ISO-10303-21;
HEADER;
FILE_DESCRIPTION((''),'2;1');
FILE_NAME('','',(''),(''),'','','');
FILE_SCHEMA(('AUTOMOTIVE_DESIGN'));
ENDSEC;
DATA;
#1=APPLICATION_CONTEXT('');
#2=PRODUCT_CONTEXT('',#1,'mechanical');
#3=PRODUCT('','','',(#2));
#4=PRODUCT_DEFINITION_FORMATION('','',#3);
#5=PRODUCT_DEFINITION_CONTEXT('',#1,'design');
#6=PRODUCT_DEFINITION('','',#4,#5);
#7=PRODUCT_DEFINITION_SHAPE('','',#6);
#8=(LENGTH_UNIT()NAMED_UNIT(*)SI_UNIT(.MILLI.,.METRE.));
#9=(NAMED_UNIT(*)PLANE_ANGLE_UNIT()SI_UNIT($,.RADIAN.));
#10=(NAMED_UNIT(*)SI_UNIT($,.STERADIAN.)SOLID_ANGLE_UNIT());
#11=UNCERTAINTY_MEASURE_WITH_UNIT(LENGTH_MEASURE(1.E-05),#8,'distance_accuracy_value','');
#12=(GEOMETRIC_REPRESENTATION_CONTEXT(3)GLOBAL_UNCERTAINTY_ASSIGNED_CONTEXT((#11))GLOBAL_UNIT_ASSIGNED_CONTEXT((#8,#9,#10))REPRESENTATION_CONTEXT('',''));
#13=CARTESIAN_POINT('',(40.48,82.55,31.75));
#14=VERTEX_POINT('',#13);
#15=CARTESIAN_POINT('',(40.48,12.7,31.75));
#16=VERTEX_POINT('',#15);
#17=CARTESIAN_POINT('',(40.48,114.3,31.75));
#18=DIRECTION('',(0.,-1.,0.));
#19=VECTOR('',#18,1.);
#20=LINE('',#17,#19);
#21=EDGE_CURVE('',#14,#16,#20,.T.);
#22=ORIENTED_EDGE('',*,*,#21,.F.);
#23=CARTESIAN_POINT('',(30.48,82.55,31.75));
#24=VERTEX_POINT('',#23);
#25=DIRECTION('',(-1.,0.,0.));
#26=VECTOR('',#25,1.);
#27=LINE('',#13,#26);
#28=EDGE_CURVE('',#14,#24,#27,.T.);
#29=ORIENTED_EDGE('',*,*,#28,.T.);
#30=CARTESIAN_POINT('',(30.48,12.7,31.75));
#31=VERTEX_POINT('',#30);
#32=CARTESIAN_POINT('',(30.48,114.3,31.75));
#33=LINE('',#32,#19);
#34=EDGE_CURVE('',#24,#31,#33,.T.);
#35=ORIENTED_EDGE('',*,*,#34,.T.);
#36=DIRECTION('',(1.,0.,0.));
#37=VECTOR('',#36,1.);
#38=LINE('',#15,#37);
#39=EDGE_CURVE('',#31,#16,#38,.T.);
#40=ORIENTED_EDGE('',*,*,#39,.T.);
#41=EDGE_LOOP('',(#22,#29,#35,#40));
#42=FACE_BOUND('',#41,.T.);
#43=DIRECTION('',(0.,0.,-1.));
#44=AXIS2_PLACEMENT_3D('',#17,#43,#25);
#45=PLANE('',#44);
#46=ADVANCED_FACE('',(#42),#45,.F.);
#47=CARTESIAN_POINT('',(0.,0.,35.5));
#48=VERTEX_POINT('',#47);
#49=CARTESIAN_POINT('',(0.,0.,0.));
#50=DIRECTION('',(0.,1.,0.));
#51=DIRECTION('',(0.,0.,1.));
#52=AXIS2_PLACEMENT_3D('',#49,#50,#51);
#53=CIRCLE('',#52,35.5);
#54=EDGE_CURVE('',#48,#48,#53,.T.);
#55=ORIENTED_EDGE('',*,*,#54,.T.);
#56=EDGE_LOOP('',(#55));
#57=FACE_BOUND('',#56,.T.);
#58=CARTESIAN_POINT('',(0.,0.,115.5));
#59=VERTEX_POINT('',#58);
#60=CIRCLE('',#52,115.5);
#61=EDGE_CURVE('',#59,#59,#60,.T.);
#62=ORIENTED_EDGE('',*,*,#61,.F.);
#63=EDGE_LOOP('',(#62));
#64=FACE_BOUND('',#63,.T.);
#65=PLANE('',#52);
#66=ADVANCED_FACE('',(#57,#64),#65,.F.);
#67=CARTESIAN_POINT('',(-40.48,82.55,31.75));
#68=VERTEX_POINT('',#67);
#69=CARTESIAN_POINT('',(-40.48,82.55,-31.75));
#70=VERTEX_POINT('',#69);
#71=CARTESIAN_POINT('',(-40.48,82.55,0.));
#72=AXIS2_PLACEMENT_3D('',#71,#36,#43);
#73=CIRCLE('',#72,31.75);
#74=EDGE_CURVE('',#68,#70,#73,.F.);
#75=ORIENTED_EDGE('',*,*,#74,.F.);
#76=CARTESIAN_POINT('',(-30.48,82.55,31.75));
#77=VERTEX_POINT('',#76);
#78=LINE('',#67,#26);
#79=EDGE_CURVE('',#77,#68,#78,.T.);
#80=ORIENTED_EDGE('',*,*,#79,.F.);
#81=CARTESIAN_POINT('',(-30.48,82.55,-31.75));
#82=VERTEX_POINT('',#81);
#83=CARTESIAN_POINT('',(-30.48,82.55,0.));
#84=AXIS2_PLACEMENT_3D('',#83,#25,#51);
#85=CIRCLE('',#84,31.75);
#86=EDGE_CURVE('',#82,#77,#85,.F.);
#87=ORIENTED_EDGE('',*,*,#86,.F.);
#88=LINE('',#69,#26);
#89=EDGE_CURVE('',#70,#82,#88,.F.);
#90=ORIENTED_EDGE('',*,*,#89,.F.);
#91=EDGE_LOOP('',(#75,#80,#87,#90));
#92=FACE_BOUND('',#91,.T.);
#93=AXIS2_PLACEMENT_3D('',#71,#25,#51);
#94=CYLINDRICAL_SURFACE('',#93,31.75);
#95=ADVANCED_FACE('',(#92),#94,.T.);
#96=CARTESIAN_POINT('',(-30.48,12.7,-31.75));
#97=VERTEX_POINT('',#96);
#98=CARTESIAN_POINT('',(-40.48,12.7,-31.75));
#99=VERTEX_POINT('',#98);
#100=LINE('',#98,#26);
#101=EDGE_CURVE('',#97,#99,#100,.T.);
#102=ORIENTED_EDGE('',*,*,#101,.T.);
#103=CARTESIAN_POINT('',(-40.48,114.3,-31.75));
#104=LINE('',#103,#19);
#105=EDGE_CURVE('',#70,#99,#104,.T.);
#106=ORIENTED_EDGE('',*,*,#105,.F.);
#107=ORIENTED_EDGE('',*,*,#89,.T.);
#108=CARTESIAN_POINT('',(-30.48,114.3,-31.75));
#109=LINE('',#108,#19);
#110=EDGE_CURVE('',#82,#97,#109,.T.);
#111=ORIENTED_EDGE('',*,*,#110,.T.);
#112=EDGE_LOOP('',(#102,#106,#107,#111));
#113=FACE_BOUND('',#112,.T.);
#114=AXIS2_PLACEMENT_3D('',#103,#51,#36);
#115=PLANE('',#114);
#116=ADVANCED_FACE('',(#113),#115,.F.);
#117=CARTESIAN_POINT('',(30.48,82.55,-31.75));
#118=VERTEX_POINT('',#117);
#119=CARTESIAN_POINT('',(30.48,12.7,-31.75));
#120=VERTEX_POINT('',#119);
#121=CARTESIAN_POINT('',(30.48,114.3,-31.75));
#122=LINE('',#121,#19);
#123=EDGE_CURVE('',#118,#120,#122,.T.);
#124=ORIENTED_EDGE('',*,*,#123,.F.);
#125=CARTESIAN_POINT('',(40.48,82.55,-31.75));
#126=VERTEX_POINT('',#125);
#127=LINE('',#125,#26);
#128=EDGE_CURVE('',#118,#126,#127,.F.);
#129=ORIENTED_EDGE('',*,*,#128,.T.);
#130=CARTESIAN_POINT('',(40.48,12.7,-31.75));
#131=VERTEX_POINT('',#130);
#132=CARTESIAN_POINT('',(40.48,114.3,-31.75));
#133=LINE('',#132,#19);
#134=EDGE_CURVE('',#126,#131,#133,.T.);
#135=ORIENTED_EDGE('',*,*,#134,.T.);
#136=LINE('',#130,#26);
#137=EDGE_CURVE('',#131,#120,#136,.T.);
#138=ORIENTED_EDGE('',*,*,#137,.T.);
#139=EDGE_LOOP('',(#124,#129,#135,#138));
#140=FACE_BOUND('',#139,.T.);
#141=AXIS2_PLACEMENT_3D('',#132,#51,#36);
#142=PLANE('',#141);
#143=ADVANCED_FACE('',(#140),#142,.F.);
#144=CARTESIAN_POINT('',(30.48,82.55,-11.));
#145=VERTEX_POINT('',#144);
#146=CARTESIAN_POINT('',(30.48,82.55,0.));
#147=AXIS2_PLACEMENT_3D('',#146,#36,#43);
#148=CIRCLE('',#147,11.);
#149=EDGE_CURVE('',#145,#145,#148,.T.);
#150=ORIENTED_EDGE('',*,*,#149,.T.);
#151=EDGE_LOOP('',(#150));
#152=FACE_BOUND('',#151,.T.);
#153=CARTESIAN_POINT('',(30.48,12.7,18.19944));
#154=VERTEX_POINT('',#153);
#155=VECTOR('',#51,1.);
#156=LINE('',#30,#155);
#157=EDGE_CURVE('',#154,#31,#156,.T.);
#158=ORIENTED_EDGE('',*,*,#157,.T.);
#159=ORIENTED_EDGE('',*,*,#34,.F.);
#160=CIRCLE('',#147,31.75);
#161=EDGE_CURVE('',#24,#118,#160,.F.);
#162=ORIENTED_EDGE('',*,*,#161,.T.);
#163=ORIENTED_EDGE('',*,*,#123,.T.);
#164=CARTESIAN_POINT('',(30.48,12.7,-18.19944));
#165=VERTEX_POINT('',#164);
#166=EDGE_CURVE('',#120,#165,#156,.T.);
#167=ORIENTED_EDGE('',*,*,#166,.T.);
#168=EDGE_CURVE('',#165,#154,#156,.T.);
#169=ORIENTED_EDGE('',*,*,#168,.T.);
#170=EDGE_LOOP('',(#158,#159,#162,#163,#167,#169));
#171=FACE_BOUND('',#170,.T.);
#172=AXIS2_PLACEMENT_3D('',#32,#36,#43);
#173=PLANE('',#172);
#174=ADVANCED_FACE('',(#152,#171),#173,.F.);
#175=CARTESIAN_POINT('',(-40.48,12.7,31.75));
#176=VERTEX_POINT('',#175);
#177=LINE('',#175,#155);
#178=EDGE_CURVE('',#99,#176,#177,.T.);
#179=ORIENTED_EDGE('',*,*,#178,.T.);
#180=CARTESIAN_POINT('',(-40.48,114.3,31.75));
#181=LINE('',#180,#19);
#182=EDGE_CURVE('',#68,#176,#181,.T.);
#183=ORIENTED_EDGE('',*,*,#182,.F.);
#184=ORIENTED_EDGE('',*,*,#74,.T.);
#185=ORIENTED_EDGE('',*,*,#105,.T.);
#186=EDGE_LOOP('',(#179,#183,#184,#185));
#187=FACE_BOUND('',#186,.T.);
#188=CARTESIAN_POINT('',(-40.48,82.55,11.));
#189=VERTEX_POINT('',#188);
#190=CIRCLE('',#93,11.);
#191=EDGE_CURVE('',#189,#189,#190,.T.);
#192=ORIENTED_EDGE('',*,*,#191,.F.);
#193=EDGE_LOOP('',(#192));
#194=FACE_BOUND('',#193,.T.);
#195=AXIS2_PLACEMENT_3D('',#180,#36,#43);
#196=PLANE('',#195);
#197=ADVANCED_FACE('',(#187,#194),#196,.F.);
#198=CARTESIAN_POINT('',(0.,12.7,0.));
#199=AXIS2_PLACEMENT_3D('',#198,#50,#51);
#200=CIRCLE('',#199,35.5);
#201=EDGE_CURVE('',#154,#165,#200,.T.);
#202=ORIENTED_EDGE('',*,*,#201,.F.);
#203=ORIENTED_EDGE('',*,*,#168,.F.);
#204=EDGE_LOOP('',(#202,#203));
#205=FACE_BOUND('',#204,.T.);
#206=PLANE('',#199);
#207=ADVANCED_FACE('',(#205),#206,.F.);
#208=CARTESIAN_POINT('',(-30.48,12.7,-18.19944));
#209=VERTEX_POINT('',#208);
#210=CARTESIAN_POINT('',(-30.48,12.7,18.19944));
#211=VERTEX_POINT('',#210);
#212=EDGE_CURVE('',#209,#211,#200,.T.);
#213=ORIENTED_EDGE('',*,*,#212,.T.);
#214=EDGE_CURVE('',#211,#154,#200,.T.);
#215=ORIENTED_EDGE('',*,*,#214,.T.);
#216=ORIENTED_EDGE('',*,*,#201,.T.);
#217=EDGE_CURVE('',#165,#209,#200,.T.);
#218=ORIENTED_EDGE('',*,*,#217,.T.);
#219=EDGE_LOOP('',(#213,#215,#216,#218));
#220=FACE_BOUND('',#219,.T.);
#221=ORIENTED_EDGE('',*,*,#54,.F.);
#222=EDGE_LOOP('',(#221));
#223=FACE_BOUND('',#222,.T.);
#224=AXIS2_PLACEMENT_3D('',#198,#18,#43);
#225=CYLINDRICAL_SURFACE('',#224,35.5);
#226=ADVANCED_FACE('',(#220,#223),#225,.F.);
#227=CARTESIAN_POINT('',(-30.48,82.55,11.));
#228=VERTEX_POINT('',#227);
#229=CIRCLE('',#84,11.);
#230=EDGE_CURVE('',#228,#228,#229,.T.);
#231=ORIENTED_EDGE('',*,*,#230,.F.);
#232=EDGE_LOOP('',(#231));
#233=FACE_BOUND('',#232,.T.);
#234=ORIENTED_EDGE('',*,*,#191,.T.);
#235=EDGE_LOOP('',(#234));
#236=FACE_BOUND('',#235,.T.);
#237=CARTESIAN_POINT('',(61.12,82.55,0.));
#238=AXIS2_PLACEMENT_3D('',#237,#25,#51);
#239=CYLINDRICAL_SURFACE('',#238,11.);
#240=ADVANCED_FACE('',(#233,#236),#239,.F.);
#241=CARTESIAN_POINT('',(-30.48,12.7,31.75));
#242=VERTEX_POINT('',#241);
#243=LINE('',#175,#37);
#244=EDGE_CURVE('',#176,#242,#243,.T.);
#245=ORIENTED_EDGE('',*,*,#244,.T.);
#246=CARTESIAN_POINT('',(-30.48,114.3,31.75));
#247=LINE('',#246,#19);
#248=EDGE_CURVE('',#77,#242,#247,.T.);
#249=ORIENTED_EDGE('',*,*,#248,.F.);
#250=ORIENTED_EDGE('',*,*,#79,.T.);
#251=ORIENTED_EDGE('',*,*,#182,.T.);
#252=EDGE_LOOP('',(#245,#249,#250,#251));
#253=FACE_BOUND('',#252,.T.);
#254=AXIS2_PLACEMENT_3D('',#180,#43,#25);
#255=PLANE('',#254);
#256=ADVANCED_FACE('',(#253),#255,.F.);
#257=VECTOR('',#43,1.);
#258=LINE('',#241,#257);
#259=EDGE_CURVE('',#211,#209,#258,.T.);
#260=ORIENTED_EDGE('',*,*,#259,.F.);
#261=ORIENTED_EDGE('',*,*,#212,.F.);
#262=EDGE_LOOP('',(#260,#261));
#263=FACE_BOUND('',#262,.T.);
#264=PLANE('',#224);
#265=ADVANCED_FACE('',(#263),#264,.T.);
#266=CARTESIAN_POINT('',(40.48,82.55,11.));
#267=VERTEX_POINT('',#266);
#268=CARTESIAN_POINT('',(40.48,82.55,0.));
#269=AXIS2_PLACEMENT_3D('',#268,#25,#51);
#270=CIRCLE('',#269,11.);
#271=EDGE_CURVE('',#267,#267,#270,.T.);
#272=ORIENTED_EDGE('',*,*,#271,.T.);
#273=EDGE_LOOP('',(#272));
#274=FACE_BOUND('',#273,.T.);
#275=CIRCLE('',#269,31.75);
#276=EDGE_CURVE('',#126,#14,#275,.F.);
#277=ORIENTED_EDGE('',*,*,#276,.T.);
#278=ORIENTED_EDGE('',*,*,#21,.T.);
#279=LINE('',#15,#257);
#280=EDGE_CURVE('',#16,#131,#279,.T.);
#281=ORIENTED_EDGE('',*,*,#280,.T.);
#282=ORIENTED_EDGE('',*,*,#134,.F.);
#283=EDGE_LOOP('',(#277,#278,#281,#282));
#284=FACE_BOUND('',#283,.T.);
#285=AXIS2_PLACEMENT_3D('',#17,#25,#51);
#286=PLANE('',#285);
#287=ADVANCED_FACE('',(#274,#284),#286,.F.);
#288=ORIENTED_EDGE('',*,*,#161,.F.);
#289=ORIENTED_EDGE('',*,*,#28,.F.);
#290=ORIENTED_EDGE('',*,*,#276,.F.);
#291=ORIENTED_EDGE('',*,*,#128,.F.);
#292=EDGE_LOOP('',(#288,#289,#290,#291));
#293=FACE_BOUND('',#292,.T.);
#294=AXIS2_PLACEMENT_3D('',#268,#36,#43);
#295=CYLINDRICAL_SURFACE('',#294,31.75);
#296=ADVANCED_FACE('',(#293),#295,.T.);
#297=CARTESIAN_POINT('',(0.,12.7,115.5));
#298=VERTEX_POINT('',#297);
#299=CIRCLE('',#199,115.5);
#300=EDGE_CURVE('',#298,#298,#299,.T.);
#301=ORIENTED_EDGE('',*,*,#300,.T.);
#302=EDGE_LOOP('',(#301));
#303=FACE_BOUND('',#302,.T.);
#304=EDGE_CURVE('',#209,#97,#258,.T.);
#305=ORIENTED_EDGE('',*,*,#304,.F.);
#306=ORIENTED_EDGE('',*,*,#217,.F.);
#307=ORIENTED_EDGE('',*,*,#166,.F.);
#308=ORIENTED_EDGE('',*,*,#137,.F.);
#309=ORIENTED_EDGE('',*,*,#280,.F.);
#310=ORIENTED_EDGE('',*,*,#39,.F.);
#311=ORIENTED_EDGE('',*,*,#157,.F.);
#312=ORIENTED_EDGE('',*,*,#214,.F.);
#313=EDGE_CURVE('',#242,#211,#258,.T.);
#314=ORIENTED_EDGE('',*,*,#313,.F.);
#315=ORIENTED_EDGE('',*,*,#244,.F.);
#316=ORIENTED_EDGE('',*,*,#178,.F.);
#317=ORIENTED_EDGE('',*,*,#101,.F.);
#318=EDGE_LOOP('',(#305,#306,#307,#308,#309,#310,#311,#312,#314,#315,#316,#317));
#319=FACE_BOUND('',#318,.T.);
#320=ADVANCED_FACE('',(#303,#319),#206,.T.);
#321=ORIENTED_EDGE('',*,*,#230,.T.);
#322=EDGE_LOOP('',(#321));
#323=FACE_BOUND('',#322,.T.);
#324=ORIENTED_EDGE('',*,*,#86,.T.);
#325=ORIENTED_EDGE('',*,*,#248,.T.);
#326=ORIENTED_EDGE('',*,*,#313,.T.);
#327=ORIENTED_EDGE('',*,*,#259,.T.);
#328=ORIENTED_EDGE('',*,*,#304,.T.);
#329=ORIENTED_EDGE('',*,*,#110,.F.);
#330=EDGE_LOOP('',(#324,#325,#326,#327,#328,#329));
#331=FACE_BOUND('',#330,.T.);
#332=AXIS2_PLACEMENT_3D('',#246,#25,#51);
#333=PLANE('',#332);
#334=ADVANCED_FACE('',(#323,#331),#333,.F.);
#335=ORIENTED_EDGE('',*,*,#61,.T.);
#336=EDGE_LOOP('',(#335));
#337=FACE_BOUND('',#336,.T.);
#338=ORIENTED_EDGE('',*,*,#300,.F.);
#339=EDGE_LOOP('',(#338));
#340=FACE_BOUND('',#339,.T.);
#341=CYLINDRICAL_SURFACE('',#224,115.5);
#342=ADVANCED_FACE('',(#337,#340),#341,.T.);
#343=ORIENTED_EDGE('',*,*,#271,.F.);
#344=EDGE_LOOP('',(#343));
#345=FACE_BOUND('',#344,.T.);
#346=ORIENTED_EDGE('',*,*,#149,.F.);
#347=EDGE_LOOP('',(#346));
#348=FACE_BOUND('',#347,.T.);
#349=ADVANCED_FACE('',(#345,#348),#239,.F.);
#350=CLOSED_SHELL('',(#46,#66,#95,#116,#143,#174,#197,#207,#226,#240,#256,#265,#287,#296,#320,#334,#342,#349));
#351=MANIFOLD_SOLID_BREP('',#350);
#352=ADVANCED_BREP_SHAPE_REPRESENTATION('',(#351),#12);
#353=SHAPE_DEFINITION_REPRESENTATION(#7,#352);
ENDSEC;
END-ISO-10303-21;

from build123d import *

# Parameters (mm, degrees)
SKETCH1_R           = 115.5
SKETCH1_R_2         = 35.5
BOSS_EXTRUDE1_DEPTH = 12.7
SKETCH2_W           = 10
SKETCH2_H           = 63.5
BOSS_EXTRUDE2_DEPTH = 101.6
FILLET1_RADIUS      = 31.75
FILLET1_LENGTH      = 10
FILLET2_RADIUS      = 31.75
FILLET2_LENGTH      = 10
SKETCH3_R           = 11
CUT_EXTRUDE1_DEPTH  = 101.6


with BuildPart() as part:
    # Sketch1 → Boss-Extrude1 (new body)
    with BuildSketch(Plane(origin=(0, 0, 0), x_dir=(1, 0, 0), z_dir=(0, 1, 0))):
        with Locations(Location((0, 0, 0), (0, 0, 270))):
            Circle(SKETCH1_R)
        with Locations(Location((0, 0, 0), (0, 0, 270))):
            Circle(SKETCH1_R_2, mode=Mode.SUBTRACT)
    extrude(amount=BOSS_EXTRUDE1_DEPTH)

    # Sketch2 → Boss-Extrude2 (add)
    with BuildSketch(Plane(origin=(0, 12.7, 0), x_dir=(1, 0, 0), z_dir=(0, 1, 0))):
        with Locations((35.48, 0)):
            Rectangle(SKETCH2_W, SKETCH2_H)
        with Locations((-35.48, 0)):
            Rectangle(SKETCH2_W, SKETCH2_H)
    extrude(amount=BOSS_EXTRUDE2_DEPTH)

    # Fillet1: full round fillet: the end face becomes a half cylinder, R = half its width
    fillet1_face = Plane((35.48, 114.3, 0), x_dir=(1, 0, 0), z_dir=(0, 1, 0))  # on the end face: x along it, z out of the body
    fillet1_slab = fillet1_face.offset(-FILLET1_RADIUS / 2) * Box(FILLET1_LENGTH, 2 * FILLET1_RADIUS, FILLET1_RADIUS, mode=Mode.PRIVATE)  # the body's end, R deep
    fillet1_round = Plane((35.48, 82.55, 0), x_dir=(0, 1, 0), z_dir=(1, 0, 0)) * Cylinder(FILLET1_RADIUS, FILLET1_LENGTH, mode=Mode.PRIVATE)  # its axis R under the face
    add(fillet1_slab - fillet1_round, mode=Mode.SUBTRACT)

    # Fillet2: full round fillet: the end face becomes a half cylinder, R = half its width
    fillet2_face = Plane((-35.48, 114.3, 0), x_dir=(1, 0, 0), z_dir=(0, 1, 0))  # on the end face: x along it, z out of the body
    fillet2_slab = fillet2_face.offset(-FILLET2_RADIUS / 2) * Box(FILLET2_LENGTH, 2 * FILLET2_RADIUS, FILLET2_RADIUS, mode=Mode.PRIVATE)  # the body's end, R deep
    fillet2_round = Plane((-35.48, 82.55, 0), x_dir=(0, 1, 0), z_dir=(1, 0, 0)) * Cylinder(FILLET2_RADIUS, FILLET2_LENGTH, mode=Mode.PRIVATE)  # its axis R under the face
    add(fillet2_slab - fillet2_round, mode=Mode.SUBTRACT)

    # Sketch3 → Cut-Extrude1 (cut)
    with BuildSketch(Plane.ZY.offset(40.48)):
        with Locations((0, 82.55)):
            Circle(SKETCH3_R)
    extrude(amount=-CUT_EXTRUDE1_DEPTH, mode=Mode.SUBTRACT)


solid = part.part
